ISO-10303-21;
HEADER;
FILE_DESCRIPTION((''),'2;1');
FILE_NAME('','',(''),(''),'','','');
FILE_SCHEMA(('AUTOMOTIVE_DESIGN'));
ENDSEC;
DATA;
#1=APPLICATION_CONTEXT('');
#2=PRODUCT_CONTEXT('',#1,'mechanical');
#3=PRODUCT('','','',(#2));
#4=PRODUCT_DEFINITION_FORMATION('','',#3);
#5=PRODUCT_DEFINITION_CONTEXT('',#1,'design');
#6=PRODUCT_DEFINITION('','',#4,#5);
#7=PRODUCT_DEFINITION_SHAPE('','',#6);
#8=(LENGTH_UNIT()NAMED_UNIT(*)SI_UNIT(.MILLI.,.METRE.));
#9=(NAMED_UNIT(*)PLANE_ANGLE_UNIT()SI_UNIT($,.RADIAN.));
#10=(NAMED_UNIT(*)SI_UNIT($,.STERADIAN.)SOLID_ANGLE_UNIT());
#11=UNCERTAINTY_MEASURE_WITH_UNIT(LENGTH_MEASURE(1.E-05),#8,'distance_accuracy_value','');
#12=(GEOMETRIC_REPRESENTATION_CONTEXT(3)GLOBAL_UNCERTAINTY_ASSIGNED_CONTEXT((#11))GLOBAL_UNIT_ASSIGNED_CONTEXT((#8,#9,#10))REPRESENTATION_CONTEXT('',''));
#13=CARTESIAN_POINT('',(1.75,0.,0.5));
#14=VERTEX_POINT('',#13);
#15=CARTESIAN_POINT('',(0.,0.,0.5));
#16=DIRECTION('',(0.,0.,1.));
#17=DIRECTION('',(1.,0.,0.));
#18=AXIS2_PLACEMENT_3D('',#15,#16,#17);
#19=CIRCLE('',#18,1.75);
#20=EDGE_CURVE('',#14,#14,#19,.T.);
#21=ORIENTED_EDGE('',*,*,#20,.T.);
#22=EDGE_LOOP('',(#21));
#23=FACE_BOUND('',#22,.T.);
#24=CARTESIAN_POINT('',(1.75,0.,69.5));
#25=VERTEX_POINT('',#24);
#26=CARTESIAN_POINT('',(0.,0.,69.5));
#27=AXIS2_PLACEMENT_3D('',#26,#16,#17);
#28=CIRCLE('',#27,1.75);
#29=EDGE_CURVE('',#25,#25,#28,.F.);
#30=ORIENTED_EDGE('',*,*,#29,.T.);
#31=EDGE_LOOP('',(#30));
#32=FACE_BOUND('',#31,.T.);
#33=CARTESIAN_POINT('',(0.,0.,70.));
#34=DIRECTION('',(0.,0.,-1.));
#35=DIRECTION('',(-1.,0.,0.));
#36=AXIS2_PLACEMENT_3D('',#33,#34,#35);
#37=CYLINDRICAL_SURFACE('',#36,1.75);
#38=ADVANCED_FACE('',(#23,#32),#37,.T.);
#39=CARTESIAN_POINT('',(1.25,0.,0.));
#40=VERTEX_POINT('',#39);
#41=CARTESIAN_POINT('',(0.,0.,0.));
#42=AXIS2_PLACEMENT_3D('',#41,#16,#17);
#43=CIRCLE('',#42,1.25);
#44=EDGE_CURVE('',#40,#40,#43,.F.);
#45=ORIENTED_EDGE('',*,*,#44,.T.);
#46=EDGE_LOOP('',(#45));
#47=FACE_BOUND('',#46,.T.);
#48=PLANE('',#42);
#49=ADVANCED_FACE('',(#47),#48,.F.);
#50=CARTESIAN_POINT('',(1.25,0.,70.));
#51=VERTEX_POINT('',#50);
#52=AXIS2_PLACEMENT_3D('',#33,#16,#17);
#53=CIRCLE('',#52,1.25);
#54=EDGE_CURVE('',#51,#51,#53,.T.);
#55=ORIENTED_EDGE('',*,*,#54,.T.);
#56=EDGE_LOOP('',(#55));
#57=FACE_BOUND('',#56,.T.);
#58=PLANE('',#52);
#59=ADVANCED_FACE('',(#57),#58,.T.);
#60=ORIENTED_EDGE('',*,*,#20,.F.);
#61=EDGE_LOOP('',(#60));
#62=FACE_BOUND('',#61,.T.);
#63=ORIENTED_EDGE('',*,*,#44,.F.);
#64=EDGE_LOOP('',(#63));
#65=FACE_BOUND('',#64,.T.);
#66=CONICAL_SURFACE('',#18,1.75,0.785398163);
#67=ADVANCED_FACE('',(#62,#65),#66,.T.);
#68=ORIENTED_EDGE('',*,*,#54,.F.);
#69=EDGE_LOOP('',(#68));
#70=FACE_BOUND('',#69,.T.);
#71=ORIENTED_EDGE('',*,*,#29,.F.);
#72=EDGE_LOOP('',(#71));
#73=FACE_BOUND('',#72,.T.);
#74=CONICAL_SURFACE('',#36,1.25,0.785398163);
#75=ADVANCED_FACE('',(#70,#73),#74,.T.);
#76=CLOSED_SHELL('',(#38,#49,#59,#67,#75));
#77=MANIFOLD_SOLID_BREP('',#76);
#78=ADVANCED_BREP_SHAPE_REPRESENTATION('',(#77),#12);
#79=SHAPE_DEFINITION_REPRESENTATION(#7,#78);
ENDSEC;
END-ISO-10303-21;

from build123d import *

# Parameters (mm, degrees)
SKETCH1_R           = 1.75
BOSS_EXTRUDE1_DEPTH = 70
CHAMFER1_SIZE       = 0.5


with BuildPart() as part:
    # Sketch1 → Boss-Extrude1 (new body)
    with BuildSketch(Plane.XY):
        Circle(SKETCH1_R)
    extrude(amount=BOSS_EXTRUDE1_DEPTH)

    # Chamfer1
    chamfer1_edges = [part.edges().sort_by_distance(p)[0] for p in [
        (-1.75, 0, 0),
        (-1.75, 0, 70),
    ]]
    chamfer(chamfer1_edges, length=CHAMFER1_SIZE)


solid = part.part
